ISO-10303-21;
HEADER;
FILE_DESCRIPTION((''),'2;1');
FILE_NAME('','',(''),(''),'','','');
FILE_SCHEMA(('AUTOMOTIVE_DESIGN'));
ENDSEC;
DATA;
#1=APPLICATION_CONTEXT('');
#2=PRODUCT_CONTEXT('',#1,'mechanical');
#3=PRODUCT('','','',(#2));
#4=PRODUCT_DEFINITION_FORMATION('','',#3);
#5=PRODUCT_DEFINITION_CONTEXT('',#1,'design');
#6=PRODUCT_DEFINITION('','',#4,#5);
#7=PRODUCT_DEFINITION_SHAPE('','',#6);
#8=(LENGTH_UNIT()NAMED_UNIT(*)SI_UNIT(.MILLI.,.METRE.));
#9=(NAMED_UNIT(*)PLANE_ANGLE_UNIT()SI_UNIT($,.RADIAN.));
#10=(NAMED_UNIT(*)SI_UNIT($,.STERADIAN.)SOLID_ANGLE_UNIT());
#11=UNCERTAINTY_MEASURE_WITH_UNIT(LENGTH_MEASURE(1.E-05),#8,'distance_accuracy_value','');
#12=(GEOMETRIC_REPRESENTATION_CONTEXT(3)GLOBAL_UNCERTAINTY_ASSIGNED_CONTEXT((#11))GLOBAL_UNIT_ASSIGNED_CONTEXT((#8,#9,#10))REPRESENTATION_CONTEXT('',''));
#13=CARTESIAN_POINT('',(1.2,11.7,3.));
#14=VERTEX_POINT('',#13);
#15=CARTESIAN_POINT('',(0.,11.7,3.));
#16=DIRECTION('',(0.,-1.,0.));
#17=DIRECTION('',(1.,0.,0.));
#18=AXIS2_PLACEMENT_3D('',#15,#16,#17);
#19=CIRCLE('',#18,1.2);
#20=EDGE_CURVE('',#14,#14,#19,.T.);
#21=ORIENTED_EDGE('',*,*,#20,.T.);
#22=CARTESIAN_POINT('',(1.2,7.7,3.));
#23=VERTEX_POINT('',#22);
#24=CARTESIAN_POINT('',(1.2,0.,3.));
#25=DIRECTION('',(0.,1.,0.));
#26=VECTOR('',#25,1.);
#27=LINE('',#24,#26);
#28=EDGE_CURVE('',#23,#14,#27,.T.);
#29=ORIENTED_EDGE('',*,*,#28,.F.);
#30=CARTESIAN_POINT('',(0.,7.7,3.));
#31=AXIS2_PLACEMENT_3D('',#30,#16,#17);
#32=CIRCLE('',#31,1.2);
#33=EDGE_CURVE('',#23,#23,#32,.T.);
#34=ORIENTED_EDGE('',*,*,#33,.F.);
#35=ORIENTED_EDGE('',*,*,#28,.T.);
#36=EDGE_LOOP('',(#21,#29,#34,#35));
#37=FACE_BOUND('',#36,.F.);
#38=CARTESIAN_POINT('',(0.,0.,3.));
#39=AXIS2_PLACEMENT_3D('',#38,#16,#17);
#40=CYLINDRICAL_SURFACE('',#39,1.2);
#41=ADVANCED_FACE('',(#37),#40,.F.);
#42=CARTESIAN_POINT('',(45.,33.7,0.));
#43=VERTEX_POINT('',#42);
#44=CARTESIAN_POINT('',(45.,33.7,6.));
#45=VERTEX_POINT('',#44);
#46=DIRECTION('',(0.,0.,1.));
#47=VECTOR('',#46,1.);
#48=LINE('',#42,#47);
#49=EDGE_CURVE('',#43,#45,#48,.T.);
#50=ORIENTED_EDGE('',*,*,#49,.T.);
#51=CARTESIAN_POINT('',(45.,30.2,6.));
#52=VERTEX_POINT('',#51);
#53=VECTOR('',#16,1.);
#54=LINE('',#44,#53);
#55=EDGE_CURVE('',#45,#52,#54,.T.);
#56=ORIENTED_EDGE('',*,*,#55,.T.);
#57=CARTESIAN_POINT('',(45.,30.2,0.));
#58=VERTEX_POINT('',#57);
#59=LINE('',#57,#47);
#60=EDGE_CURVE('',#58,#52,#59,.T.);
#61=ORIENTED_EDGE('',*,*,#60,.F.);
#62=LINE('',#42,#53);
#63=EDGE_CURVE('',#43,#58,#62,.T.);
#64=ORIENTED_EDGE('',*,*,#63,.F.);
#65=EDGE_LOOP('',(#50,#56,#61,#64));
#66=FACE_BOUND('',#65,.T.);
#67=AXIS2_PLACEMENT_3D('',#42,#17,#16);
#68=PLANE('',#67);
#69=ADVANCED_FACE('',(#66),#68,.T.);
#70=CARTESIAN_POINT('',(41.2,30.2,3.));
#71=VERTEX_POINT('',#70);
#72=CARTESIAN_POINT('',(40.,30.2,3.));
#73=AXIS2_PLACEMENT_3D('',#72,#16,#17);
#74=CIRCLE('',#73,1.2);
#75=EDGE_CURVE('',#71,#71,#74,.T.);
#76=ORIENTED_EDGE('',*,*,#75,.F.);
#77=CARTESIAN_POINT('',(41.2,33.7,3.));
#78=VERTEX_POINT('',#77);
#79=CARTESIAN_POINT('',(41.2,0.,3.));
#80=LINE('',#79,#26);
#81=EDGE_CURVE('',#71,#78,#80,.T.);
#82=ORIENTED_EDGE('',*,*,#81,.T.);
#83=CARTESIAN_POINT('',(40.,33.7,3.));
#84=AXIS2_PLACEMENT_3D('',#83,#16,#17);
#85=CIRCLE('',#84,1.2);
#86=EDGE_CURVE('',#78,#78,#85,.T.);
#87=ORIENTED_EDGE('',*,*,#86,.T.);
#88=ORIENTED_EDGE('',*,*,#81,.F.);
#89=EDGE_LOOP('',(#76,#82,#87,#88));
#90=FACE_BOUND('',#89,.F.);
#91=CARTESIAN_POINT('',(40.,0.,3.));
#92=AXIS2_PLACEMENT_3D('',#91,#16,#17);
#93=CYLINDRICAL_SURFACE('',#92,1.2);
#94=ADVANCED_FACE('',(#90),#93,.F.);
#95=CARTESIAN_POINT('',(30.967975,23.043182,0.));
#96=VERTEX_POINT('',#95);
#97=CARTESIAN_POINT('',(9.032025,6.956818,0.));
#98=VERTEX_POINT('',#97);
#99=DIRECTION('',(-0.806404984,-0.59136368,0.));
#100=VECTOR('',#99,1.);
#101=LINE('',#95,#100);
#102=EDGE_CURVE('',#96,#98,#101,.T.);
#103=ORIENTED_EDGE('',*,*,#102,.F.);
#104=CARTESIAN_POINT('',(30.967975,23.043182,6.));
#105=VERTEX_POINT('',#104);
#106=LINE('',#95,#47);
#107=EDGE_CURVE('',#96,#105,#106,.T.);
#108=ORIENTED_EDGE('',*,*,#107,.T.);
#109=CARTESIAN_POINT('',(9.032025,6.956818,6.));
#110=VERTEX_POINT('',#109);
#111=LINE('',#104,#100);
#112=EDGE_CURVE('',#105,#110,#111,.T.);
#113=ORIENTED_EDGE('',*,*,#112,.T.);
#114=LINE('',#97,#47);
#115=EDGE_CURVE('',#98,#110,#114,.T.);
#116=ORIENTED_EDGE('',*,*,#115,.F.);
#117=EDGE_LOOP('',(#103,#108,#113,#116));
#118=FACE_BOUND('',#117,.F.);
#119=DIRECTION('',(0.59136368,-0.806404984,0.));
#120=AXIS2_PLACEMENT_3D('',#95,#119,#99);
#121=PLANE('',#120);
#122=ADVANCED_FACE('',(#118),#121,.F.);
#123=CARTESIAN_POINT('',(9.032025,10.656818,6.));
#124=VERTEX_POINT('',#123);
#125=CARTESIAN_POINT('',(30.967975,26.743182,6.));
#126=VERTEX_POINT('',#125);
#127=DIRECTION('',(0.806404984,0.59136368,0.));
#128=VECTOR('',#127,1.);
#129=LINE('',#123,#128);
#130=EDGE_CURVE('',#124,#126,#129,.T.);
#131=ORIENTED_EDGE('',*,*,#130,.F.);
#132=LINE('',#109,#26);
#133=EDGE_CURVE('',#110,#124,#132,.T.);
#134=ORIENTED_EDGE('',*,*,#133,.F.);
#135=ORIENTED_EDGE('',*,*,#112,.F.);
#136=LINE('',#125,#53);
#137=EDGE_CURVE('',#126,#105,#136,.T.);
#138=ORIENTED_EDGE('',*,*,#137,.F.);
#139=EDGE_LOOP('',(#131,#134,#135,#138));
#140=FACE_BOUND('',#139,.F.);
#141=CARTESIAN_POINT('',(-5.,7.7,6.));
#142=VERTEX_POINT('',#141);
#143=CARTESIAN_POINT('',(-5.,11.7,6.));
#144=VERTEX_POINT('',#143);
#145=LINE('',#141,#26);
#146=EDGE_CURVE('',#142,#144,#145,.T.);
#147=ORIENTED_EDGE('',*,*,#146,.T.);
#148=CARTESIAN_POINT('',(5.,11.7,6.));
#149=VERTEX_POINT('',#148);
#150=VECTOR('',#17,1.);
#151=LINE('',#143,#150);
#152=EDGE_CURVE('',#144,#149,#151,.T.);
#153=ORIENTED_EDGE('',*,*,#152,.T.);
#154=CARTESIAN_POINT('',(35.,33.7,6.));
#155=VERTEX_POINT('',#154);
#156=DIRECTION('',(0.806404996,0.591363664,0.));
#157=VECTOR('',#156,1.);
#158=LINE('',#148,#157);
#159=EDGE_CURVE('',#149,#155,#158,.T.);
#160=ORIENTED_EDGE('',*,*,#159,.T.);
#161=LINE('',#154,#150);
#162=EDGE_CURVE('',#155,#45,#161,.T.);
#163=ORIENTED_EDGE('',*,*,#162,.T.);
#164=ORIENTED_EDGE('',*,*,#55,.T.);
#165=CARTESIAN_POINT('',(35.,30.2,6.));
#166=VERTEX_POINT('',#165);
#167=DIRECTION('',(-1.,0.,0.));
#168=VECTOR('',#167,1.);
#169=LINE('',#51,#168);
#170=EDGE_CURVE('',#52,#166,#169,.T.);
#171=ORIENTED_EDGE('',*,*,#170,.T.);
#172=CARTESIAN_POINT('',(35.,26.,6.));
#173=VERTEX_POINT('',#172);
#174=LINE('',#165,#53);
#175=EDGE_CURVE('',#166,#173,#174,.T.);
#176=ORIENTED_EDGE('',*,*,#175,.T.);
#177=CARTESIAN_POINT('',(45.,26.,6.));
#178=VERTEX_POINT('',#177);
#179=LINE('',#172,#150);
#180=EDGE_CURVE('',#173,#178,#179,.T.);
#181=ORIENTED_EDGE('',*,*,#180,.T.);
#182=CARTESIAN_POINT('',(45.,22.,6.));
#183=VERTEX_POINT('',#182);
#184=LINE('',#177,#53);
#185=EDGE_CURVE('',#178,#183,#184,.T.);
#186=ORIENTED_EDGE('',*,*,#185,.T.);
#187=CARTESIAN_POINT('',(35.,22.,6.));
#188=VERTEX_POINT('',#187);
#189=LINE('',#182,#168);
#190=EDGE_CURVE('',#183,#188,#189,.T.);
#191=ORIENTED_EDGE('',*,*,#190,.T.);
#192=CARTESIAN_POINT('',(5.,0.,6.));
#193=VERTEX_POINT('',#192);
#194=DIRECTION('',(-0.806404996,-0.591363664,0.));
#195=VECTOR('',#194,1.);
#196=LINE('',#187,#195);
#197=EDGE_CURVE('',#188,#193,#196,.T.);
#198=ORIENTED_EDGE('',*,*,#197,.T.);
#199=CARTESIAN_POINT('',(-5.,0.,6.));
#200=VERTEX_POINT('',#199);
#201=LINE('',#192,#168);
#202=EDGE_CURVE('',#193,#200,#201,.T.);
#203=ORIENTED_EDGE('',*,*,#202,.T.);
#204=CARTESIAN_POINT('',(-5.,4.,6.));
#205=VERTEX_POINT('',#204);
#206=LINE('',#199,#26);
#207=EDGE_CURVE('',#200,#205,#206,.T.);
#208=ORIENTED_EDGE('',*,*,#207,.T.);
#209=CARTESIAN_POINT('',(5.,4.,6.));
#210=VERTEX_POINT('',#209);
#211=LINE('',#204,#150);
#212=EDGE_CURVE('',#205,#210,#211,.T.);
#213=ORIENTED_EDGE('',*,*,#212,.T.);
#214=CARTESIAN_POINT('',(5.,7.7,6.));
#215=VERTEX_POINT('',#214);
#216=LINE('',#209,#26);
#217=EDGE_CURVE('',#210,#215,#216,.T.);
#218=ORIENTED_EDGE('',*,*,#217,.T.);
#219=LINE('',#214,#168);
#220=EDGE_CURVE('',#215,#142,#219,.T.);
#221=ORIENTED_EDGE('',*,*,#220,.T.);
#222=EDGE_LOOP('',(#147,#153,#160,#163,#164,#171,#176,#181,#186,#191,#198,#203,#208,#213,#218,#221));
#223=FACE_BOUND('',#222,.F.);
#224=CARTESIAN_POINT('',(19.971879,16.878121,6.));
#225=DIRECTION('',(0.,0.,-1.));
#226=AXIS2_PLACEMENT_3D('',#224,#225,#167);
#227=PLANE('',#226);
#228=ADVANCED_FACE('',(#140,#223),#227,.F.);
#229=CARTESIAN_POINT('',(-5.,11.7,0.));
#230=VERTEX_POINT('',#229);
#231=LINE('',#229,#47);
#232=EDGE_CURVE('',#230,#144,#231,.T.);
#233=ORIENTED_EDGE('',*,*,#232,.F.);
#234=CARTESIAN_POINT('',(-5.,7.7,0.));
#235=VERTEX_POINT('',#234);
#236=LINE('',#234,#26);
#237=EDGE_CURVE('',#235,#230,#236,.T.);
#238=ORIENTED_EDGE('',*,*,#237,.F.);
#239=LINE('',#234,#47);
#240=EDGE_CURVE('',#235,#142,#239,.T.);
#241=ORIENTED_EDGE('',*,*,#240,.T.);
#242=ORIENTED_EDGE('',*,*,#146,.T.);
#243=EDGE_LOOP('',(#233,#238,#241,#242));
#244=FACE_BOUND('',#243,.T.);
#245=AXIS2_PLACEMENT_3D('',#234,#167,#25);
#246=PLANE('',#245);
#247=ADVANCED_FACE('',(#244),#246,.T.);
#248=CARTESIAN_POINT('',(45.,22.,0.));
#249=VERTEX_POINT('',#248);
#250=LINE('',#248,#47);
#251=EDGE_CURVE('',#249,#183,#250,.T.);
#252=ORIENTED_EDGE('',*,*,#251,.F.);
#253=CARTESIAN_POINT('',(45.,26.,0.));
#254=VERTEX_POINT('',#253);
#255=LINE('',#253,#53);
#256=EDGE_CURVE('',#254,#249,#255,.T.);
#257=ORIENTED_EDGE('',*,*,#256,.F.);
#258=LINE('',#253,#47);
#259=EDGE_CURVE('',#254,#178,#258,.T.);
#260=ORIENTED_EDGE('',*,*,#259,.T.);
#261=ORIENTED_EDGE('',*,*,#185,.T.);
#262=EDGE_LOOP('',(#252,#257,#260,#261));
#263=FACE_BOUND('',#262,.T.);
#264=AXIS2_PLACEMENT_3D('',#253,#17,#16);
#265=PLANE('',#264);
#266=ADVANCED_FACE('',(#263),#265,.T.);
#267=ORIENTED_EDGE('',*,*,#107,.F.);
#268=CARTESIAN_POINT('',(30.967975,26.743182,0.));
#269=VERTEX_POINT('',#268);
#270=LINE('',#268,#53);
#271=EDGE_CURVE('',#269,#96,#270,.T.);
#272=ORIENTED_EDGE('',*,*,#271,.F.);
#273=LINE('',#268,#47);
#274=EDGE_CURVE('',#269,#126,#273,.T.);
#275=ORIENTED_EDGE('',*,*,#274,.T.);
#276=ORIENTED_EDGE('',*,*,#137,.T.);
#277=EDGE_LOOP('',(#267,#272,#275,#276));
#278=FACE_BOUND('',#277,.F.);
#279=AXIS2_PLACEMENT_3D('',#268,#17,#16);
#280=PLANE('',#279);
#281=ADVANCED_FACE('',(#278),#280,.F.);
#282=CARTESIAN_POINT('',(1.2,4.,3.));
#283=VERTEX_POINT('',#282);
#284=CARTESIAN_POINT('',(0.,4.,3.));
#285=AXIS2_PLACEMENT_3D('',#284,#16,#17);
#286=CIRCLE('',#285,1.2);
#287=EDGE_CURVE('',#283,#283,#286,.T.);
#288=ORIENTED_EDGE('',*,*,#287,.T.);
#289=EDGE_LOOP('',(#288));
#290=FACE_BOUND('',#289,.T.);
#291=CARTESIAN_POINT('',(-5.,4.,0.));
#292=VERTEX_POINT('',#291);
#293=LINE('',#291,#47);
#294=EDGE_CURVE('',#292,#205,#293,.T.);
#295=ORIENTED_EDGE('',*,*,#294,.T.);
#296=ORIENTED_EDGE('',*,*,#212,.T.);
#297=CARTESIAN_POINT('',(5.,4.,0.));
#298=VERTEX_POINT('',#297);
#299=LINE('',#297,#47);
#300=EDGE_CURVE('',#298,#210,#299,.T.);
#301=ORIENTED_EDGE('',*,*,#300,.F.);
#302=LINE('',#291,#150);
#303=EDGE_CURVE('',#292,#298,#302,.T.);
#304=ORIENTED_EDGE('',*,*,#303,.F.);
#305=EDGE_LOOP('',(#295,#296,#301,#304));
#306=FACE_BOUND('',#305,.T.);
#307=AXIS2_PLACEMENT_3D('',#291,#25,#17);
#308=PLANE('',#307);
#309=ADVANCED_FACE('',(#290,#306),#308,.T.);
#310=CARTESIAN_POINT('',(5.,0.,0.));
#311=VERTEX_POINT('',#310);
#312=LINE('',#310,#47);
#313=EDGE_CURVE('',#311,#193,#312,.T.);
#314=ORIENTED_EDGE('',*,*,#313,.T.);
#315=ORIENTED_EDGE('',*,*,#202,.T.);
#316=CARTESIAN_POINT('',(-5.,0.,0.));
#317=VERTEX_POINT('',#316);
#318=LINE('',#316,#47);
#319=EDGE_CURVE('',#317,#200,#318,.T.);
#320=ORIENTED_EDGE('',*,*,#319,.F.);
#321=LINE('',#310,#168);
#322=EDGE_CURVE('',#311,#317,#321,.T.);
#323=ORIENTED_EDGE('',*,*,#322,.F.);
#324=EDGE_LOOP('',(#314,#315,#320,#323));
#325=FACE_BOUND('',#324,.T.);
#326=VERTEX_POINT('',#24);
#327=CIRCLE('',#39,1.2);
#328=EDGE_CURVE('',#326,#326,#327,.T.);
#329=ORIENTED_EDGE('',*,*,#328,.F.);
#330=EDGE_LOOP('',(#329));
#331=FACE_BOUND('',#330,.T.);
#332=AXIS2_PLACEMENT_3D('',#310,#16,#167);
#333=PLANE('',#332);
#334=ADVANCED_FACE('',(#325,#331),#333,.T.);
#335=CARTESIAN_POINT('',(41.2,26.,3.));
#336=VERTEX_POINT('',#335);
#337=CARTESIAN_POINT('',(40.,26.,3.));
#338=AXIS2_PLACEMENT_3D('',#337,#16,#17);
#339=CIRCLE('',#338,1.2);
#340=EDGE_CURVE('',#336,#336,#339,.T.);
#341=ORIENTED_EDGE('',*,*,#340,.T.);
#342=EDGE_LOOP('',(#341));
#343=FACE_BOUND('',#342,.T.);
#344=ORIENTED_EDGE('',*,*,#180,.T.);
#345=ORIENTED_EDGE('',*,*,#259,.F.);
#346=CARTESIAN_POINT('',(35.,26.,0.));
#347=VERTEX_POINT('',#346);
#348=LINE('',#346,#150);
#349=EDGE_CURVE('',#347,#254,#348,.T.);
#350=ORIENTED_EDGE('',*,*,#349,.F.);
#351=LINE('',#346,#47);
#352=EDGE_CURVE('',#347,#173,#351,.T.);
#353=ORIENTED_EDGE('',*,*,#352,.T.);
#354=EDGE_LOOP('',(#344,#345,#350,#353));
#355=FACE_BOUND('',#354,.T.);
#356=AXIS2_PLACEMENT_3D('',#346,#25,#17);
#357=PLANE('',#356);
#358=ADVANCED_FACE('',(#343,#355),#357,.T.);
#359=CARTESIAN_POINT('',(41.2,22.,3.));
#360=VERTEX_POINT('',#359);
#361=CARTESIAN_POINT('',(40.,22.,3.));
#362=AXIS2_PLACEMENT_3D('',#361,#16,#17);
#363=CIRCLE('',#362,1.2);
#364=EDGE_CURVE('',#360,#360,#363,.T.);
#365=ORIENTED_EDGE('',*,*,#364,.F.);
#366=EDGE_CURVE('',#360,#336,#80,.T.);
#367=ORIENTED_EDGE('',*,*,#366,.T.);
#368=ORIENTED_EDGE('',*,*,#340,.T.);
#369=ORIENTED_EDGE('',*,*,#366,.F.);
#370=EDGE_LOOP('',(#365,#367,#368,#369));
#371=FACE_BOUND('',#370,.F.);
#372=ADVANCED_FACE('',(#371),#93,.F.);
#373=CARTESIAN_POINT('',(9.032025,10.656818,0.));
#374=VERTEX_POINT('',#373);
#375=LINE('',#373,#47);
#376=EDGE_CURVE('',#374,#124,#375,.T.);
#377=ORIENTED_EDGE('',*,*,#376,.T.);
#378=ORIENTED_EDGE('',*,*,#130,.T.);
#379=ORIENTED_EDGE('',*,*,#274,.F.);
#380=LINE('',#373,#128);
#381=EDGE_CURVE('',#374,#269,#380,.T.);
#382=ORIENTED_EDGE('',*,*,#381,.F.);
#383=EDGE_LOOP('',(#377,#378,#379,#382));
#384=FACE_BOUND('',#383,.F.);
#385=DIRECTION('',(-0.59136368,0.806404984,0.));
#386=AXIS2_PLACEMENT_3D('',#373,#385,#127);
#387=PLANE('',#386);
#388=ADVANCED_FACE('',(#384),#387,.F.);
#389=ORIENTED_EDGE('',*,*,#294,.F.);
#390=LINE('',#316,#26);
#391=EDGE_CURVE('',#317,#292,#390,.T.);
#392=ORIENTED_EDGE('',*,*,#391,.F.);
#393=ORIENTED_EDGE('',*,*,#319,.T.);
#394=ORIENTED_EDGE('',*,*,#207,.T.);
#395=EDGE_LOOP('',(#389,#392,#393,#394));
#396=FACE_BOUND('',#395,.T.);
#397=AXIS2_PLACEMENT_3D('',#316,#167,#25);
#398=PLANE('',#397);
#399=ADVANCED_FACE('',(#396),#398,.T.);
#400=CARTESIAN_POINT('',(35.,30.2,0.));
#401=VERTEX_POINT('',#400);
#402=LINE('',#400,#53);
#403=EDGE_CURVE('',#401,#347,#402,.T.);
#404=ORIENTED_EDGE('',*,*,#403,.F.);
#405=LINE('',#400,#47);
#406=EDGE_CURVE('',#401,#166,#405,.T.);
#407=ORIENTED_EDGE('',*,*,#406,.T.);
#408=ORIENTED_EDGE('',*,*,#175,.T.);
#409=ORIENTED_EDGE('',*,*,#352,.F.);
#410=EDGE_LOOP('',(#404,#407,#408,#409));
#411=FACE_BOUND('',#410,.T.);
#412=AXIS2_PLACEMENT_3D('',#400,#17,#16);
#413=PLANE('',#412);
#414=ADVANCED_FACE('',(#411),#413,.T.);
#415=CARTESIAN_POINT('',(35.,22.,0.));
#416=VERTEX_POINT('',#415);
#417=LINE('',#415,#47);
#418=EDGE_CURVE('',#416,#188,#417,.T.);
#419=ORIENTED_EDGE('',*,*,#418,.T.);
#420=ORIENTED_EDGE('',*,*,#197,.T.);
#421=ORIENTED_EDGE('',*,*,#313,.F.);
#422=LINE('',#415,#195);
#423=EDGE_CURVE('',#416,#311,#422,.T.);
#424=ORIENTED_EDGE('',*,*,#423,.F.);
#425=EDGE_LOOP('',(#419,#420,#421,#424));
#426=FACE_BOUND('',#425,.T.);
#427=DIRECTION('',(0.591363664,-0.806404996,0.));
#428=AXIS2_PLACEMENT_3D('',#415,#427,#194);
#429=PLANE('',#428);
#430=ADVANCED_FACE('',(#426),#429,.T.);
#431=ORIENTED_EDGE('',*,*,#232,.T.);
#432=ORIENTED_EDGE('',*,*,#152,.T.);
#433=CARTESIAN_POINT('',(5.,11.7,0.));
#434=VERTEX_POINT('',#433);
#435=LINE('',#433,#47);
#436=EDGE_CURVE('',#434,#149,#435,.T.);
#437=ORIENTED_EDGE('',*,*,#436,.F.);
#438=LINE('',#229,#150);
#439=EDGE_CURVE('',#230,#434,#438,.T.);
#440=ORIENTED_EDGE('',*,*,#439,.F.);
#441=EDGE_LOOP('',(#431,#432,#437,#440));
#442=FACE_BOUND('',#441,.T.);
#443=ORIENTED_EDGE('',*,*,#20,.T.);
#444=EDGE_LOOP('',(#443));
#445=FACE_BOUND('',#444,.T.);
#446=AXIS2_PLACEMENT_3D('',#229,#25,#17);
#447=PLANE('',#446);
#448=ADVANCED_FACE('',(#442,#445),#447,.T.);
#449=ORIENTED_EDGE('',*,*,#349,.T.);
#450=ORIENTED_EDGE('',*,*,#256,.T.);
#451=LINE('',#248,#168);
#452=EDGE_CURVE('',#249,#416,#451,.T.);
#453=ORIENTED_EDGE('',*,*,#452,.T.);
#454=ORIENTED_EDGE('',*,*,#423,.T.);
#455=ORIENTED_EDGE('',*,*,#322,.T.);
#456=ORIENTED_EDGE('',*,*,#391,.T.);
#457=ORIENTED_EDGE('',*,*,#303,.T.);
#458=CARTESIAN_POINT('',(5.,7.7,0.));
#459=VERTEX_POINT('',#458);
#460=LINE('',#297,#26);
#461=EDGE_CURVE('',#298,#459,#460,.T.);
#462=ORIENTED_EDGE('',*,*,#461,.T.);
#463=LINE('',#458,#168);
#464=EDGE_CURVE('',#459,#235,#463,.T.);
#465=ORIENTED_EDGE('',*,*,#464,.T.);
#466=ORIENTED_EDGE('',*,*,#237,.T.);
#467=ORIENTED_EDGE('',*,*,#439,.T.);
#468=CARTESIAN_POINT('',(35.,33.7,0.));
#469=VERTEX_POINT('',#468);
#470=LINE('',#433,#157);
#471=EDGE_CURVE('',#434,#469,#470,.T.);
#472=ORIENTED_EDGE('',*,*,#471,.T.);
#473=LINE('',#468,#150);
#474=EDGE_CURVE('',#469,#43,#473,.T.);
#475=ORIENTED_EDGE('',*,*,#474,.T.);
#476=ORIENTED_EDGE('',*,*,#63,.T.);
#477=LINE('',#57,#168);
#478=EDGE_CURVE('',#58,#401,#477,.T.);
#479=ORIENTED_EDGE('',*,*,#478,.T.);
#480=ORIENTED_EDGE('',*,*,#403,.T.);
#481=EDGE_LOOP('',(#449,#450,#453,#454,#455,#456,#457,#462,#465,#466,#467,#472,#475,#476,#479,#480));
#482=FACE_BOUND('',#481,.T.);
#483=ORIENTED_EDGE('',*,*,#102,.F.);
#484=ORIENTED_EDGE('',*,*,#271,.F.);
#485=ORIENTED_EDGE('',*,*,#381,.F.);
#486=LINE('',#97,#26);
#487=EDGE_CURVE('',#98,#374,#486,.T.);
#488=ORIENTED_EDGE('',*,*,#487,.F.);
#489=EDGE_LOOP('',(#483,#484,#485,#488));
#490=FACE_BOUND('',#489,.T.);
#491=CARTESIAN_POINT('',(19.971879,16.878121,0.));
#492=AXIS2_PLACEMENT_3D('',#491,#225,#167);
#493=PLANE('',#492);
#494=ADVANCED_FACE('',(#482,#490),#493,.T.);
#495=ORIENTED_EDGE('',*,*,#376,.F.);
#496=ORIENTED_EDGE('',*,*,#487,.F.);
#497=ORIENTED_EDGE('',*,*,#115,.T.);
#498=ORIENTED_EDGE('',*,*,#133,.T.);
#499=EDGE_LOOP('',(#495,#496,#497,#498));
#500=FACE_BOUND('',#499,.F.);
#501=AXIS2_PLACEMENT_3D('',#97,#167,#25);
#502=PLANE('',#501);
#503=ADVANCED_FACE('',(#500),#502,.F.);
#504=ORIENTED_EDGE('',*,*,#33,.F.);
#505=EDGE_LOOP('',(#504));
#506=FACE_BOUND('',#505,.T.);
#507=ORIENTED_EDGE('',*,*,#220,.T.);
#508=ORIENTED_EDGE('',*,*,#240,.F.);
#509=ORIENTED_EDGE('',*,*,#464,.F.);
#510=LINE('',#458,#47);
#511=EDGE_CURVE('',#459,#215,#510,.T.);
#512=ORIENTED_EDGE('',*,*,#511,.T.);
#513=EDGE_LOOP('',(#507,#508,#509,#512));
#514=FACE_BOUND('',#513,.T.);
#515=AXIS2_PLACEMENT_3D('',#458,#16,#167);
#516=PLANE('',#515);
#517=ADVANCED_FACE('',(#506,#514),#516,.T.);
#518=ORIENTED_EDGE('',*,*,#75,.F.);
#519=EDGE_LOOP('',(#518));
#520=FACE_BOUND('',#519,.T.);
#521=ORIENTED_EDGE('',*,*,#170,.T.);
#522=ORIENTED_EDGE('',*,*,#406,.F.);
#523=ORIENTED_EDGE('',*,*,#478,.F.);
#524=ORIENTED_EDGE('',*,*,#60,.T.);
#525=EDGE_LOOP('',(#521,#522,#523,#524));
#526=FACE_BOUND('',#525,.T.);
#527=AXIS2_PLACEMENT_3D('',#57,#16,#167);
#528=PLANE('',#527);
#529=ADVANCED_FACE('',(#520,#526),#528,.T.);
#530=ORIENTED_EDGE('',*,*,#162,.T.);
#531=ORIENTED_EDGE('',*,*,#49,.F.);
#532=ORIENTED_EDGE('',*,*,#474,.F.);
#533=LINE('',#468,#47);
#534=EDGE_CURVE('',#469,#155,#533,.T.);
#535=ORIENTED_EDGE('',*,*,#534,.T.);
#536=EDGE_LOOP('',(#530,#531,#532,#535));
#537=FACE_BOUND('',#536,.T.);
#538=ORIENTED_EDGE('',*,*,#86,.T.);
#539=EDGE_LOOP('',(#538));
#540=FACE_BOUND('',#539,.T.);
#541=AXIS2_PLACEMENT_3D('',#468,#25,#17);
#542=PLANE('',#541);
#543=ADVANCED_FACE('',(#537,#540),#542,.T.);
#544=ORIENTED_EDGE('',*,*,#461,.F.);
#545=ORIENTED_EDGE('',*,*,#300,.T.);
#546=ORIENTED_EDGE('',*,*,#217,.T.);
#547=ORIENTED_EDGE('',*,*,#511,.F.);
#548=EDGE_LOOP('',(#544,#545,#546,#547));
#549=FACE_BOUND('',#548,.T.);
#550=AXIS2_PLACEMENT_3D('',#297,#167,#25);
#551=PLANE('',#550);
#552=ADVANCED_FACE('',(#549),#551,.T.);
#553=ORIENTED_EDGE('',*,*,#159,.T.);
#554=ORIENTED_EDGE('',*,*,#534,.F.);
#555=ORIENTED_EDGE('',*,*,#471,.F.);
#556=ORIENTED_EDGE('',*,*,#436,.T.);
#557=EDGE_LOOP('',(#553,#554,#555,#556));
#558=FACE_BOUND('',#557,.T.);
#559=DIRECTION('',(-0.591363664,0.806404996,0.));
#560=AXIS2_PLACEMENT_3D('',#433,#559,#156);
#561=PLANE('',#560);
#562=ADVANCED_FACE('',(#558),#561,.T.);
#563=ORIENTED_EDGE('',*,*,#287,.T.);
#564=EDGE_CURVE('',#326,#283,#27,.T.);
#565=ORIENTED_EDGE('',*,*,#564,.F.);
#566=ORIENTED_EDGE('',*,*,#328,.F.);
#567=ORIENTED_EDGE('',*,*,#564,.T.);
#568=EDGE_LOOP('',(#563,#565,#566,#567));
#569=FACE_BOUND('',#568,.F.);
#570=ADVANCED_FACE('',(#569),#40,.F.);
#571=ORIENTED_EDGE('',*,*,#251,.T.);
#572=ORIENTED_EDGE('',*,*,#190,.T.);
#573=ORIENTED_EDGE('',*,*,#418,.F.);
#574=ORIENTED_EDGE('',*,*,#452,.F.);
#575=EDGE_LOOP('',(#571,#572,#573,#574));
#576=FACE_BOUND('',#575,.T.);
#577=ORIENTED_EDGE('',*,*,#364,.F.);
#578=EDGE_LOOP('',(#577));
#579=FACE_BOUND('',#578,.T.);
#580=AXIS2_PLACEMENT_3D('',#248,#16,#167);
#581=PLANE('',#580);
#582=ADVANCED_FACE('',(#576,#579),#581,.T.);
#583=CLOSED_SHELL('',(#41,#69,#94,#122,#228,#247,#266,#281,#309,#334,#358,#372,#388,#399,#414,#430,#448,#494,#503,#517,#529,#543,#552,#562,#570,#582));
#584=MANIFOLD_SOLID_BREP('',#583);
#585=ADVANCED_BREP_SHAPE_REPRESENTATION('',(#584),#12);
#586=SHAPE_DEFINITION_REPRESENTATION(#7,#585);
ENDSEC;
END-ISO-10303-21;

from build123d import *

# Parameters (mm, degrees)
PAD_DEPTH    = 6
SKETCH001_R  = 1.2
POCKET_DEPTH = 50


with BuildPart() as part:
    # Sketch → Pad (new body)
    with BuildSketch(Plane.XY):
        Polygon((-5, 11.7), (5, 11.7), (35, 33.7), (45, 33.7), (45, 30.2), (35, 30.2), (35, 26), (45, 26), (45, 22), (35, 22), (5, 0), (-5, 0), (-5, 4), (5, 4), (5, 7.7), (-5, 7.7), align=None)
        Polygon((9.032025, 10.656818), (30.967975, 26.743182), (30.967975, 23.043182), (9.032025, 6.956818), align=None, mode=Mode.SUBTRACT)
    extrude(amount=PAD_DEPTH)

    # Sketch001 (on Face12 of Pad) → Pocket (cut)
    with BuildSketch(Plane.XZ):
        with Locations((0, 3)):
            Circle(SKETCH001_R)
        with Locations((40, 3)):
            Circle(SKETCH001_R)
    extrude(amount=-POCKET_DEPTH, mode=Mode.SUBTRACT)


solid = part.part
